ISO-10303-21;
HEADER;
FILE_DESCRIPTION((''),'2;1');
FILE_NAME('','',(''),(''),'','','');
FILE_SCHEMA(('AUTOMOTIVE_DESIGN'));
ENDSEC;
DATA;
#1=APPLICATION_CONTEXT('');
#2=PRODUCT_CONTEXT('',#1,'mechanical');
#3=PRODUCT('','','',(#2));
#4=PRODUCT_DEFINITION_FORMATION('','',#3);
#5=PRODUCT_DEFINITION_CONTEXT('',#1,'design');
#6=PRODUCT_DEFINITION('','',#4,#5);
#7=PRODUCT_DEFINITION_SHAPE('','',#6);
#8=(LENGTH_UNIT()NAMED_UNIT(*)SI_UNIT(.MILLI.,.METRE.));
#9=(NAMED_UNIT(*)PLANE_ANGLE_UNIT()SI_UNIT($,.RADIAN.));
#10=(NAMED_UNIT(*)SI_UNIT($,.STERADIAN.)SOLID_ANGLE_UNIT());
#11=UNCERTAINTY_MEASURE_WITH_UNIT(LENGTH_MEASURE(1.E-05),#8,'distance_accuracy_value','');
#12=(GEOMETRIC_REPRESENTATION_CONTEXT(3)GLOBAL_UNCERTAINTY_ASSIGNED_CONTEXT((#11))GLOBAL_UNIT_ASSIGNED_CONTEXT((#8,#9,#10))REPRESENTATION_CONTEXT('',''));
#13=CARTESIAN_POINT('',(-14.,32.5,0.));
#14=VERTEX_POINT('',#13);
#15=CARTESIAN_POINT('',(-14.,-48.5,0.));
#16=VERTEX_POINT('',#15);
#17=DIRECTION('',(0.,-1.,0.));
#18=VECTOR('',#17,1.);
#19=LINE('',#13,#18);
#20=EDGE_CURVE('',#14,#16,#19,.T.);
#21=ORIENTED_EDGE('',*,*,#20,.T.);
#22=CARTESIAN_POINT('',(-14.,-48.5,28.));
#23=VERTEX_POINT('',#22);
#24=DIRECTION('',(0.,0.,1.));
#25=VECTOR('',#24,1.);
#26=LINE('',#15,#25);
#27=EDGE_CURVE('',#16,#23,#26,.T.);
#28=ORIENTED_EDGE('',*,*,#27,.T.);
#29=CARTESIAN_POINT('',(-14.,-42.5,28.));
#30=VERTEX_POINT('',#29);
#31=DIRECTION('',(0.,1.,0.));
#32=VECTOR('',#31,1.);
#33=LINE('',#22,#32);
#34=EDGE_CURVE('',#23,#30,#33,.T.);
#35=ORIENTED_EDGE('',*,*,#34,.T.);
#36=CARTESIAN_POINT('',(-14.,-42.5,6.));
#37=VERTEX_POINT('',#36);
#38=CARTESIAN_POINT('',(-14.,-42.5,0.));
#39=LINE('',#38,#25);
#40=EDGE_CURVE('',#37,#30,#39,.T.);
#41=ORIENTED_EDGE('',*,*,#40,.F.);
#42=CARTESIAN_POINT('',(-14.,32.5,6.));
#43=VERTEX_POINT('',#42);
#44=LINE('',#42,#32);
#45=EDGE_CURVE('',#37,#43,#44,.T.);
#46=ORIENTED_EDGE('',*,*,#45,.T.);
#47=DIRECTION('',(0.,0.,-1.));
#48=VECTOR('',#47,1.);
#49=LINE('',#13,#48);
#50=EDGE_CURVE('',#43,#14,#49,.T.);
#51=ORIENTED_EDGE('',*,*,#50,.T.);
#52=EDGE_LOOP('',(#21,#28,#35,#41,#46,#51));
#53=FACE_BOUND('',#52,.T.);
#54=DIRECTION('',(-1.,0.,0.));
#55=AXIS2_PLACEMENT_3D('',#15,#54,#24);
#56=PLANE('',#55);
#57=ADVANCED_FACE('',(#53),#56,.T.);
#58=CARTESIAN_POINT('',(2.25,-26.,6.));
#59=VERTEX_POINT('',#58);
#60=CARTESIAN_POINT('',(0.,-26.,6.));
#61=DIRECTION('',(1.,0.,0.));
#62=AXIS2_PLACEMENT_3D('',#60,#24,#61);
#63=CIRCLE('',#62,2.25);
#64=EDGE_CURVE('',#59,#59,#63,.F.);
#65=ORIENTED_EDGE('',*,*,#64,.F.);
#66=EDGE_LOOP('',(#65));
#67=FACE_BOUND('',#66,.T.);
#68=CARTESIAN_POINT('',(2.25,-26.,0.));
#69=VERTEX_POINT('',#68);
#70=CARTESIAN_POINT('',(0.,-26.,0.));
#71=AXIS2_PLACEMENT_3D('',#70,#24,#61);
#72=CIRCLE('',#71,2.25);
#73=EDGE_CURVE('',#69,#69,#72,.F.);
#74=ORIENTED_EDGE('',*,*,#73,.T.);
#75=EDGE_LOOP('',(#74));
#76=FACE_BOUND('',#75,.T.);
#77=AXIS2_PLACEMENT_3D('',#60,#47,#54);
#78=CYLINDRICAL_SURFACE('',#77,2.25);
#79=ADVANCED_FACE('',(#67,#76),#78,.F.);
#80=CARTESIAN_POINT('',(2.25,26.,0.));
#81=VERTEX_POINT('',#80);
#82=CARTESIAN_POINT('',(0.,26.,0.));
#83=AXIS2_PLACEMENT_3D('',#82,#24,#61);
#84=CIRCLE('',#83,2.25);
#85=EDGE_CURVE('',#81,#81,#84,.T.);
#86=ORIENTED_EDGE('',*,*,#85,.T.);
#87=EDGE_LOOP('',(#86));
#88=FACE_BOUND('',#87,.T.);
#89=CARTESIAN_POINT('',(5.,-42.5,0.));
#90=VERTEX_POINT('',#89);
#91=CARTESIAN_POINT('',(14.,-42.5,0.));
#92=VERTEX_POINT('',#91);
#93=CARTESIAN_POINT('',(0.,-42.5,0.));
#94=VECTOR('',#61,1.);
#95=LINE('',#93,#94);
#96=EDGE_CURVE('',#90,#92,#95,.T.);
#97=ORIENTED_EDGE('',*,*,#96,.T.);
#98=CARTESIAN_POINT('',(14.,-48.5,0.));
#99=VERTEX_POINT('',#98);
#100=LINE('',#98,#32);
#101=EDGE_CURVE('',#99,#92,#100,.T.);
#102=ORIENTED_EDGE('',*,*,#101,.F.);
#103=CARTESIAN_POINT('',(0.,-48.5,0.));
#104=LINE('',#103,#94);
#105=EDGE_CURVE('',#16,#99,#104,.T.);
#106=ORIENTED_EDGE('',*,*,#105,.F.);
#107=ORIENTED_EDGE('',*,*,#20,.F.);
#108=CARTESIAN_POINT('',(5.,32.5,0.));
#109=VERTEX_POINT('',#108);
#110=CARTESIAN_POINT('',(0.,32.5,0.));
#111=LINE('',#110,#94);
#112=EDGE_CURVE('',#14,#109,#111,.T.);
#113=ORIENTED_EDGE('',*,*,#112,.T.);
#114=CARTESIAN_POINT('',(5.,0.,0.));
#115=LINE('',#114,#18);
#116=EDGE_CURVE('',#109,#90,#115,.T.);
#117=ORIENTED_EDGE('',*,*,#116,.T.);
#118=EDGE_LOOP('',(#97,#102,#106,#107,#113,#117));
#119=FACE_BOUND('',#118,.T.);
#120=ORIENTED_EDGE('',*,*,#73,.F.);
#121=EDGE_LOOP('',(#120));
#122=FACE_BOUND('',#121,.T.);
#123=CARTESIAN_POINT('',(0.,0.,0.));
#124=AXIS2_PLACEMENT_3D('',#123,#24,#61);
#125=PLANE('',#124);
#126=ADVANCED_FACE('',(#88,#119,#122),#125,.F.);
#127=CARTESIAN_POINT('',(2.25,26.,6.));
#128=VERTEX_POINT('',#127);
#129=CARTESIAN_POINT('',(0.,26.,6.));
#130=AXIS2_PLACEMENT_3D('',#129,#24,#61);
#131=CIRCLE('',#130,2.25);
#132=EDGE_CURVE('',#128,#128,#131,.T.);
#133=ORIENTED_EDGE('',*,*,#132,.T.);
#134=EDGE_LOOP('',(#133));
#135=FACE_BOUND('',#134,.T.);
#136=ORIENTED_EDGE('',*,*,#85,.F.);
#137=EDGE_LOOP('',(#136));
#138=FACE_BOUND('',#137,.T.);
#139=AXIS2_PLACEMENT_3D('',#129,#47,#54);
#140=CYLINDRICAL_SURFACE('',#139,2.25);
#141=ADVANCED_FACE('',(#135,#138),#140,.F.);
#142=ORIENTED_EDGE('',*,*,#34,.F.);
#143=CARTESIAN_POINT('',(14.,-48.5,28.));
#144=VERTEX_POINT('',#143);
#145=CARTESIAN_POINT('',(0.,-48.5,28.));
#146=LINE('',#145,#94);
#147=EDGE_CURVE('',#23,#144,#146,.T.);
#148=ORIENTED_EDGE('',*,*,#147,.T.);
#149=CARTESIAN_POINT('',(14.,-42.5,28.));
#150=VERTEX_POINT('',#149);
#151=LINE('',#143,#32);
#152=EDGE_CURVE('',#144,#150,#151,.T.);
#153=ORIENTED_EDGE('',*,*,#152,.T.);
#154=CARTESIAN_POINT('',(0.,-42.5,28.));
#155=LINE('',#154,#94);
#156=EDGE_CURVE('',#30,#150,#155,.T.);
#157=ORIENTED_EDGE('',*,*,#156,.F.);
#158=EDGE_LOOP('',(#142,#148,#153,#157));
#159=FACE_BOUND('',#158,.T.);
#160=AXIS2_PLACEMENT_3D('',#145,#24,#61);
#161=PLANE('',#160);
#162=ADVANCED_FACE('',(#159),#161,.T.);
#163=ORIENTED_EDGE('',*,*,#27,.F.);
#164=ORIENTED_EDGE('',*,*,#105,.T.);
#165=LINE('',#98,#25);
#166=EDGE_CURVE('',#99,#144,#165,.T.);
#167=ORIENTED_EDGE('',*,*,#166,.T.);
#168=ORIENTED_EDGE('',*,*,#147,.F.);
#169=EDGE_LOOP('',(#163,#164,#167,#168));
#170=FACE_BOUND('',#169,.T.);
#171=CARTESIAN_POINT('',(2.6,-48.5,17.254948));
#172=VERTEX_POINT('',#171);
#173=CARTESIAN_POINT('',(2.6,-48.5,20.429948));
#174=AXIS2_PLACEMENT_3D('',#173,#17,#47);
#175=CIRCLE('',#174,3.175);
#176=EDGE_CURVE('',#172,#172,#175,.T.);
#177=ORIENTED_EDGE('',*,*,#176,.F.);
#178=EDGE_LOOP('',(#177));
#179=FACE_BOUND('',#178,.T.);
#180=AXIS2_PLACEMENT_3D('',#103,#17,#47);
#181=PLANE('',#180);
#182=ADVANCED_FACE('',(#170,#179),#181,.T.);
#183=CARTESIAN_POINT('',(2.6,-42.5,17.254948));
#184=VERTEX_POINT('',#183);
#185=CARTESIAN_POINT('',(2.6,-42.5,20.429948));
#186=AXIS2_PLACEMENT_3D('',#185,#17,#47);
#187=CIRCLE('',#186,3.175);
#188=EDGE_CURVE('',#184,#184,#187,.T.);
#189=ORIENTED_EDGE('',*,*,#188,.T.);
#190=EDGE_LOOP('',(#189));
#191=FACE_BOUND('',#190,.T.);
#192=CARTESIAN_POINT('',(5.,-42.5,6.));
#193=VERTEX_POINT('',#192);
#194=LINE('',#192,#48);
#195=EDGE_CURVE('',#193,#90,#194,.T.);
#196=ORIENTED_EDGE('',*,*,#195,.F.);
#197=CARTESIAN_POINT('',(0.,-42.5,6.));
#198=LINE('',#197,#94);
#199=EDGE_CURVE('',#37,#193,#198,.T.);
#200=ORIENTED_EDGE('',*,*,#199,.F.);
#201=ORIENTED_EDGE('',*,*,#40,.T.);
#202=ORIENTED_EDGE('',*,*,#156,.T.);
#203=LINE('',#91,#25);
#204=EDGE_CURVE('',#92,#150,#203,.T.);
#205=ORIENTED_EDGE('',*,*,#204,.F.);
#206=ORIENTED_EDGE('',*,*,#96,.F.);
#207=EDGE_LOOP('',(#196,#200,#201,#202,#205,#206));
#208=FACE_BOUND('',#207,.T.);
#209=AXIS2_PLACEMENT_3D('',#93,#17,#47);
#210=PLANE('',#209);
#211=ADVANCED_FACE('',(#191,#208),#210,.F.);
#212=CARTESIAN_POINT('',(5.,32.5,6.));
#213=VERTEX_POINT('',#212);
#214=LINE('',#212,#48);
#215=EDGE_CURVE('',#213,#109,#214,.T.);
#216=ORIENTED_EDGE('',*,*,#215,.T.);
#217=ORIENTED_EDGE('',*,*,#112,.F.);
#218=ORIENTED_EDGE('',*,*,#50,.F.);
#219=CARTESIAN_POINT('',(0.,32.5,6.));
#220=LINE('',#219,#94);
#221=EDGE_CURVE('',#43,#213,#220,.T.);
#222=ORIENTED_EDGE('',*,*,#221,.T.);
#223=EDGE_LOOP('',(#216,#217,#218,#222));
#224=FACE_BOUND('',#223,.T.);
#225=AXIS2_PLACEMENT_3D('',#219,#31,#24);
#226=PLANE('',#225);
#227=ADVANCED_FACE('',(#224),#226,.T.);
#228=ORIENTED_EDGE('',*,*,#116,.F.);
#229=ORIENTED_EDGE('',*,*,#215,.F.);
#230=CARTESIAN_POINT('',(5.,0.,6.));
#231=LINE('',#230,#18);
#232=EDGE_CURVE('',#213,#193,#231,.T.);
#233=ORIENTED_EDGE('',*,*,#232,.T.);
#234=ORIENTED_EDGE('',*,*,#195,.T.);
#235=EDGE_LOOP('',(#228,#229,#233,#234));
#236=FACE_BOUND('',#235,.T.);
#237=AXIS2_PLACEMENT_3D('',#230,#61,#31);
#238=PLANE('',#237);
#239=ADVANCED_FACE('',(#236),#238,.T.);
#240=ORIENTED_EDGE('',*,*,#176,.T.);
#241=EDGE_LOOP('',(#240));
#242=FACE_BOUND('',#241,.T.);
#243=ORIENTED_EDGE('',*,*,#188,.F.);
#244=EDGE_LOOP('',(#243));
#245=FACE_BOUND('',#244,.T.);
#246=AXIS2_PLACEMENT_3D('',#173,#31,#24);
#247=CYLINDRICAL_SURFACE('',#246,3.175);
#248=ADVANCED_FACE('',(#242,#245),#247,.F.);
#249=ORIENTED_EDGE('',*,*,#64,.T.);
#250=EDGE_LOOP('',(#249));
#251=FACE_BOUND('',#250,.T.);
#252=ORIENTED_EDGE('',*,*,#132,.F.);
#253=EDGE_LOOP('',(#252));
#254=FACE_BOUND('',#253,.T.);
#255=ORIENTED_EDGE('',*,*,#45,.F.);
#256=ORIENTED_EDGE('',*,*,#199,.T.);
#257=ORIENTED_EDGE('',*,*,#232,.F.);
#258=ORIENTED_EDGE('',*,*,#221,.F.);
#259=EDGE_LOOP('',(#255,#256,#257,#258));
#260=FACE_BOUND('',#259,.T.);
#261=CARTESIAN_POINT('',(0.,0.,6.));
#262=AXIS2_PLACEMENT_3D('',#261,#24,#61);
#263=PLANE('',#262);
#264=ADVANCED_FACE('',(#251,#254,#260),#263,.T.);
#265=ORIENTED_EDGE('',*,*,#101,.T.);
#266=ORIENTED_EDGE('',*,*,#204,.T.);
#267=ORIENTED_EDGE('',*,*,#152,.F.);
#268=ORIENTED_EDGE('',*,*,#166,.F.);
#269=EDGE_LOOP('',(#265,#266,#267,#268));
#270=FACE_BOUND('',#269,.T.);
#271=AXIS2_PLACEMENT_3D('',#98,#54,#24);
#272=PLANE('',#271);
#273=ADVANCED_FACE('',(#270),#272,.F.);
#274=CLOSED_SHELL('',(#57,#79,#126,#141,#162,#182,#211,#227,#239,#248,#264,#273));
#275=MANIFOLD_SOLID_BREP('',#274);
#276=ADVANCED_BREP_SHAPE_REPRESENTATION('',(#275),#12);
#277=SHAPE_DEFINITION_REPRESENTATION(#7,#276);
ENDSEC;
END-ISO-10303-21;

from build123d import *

# Parameters (mm, degrees)
SKETCH1_W           = 10
SKETCH1_H           = 10
SKETCH1_H_2         = 65
SKETCH1_R           = 2.25
BOSS_EXTRUDE1_DEPTH = 6
SKETCH2_W           = 28
SKETCH2_H           = 28
SKETCH2_R           = 3.175
BOSS_EXTRUDE2_DEPTH = 6
SKETCH3_W           = 6
SKETCH3_H           = 75
BOSS_EXTRUDE3_DEPTH = 9


with BuildPart() as part:
    # Sketch1 → Boss-Extrude1 (new body)
    with BuildSketch(Plane.XY):
        with Locations((0, -37.5)):
            Rectangle(SKETCH1_W, SKETCH1_H)
        Rectangle(SKETCH1_W, SKETCH1_H_2)
        with Locations((0, 26)):
            Circle(SKETCH1_R, mode=Mode.SUBTRACT)
        with Locations((0, -26)):
            Circle(SKETCH1_R, mode=Mode.SUBTRACT)
    extrude(amount=BOSS_EXTRUDE1_DEPTH)



with BuildPart() as body_2:
    # Sketch2 → Boss-Extrude2 (new body)
    with BuildSketch(Plane.XZ.offset(42.5)):
        with Locations((0, 14)):
            Rectangle(SKETCH2_W, SKETCH2_H)
        with Locations((2.6, 20.429948245)):
            Circle(SKETCH2_R, mode=Mode.SUBTRACT)
    extrude(amount=BOSS_EXTRUDE2_DEPTH)


with BuildPart() as part_1:
    add(part.part)

    add(body_2.part)  # Boss-Extrude3 merges body 2
    # Sketch3 → Boss-Extrude3 (add)
    with BuildSketch(Plane.ZY.offset(5)):
        with Locations((3, -5)):
            Rectangle(SKETCH3_W, SKETCH3_H)
    extrude(amount=BOSS_EXTRUDE3_DEPTH)


solid = part_1.part
